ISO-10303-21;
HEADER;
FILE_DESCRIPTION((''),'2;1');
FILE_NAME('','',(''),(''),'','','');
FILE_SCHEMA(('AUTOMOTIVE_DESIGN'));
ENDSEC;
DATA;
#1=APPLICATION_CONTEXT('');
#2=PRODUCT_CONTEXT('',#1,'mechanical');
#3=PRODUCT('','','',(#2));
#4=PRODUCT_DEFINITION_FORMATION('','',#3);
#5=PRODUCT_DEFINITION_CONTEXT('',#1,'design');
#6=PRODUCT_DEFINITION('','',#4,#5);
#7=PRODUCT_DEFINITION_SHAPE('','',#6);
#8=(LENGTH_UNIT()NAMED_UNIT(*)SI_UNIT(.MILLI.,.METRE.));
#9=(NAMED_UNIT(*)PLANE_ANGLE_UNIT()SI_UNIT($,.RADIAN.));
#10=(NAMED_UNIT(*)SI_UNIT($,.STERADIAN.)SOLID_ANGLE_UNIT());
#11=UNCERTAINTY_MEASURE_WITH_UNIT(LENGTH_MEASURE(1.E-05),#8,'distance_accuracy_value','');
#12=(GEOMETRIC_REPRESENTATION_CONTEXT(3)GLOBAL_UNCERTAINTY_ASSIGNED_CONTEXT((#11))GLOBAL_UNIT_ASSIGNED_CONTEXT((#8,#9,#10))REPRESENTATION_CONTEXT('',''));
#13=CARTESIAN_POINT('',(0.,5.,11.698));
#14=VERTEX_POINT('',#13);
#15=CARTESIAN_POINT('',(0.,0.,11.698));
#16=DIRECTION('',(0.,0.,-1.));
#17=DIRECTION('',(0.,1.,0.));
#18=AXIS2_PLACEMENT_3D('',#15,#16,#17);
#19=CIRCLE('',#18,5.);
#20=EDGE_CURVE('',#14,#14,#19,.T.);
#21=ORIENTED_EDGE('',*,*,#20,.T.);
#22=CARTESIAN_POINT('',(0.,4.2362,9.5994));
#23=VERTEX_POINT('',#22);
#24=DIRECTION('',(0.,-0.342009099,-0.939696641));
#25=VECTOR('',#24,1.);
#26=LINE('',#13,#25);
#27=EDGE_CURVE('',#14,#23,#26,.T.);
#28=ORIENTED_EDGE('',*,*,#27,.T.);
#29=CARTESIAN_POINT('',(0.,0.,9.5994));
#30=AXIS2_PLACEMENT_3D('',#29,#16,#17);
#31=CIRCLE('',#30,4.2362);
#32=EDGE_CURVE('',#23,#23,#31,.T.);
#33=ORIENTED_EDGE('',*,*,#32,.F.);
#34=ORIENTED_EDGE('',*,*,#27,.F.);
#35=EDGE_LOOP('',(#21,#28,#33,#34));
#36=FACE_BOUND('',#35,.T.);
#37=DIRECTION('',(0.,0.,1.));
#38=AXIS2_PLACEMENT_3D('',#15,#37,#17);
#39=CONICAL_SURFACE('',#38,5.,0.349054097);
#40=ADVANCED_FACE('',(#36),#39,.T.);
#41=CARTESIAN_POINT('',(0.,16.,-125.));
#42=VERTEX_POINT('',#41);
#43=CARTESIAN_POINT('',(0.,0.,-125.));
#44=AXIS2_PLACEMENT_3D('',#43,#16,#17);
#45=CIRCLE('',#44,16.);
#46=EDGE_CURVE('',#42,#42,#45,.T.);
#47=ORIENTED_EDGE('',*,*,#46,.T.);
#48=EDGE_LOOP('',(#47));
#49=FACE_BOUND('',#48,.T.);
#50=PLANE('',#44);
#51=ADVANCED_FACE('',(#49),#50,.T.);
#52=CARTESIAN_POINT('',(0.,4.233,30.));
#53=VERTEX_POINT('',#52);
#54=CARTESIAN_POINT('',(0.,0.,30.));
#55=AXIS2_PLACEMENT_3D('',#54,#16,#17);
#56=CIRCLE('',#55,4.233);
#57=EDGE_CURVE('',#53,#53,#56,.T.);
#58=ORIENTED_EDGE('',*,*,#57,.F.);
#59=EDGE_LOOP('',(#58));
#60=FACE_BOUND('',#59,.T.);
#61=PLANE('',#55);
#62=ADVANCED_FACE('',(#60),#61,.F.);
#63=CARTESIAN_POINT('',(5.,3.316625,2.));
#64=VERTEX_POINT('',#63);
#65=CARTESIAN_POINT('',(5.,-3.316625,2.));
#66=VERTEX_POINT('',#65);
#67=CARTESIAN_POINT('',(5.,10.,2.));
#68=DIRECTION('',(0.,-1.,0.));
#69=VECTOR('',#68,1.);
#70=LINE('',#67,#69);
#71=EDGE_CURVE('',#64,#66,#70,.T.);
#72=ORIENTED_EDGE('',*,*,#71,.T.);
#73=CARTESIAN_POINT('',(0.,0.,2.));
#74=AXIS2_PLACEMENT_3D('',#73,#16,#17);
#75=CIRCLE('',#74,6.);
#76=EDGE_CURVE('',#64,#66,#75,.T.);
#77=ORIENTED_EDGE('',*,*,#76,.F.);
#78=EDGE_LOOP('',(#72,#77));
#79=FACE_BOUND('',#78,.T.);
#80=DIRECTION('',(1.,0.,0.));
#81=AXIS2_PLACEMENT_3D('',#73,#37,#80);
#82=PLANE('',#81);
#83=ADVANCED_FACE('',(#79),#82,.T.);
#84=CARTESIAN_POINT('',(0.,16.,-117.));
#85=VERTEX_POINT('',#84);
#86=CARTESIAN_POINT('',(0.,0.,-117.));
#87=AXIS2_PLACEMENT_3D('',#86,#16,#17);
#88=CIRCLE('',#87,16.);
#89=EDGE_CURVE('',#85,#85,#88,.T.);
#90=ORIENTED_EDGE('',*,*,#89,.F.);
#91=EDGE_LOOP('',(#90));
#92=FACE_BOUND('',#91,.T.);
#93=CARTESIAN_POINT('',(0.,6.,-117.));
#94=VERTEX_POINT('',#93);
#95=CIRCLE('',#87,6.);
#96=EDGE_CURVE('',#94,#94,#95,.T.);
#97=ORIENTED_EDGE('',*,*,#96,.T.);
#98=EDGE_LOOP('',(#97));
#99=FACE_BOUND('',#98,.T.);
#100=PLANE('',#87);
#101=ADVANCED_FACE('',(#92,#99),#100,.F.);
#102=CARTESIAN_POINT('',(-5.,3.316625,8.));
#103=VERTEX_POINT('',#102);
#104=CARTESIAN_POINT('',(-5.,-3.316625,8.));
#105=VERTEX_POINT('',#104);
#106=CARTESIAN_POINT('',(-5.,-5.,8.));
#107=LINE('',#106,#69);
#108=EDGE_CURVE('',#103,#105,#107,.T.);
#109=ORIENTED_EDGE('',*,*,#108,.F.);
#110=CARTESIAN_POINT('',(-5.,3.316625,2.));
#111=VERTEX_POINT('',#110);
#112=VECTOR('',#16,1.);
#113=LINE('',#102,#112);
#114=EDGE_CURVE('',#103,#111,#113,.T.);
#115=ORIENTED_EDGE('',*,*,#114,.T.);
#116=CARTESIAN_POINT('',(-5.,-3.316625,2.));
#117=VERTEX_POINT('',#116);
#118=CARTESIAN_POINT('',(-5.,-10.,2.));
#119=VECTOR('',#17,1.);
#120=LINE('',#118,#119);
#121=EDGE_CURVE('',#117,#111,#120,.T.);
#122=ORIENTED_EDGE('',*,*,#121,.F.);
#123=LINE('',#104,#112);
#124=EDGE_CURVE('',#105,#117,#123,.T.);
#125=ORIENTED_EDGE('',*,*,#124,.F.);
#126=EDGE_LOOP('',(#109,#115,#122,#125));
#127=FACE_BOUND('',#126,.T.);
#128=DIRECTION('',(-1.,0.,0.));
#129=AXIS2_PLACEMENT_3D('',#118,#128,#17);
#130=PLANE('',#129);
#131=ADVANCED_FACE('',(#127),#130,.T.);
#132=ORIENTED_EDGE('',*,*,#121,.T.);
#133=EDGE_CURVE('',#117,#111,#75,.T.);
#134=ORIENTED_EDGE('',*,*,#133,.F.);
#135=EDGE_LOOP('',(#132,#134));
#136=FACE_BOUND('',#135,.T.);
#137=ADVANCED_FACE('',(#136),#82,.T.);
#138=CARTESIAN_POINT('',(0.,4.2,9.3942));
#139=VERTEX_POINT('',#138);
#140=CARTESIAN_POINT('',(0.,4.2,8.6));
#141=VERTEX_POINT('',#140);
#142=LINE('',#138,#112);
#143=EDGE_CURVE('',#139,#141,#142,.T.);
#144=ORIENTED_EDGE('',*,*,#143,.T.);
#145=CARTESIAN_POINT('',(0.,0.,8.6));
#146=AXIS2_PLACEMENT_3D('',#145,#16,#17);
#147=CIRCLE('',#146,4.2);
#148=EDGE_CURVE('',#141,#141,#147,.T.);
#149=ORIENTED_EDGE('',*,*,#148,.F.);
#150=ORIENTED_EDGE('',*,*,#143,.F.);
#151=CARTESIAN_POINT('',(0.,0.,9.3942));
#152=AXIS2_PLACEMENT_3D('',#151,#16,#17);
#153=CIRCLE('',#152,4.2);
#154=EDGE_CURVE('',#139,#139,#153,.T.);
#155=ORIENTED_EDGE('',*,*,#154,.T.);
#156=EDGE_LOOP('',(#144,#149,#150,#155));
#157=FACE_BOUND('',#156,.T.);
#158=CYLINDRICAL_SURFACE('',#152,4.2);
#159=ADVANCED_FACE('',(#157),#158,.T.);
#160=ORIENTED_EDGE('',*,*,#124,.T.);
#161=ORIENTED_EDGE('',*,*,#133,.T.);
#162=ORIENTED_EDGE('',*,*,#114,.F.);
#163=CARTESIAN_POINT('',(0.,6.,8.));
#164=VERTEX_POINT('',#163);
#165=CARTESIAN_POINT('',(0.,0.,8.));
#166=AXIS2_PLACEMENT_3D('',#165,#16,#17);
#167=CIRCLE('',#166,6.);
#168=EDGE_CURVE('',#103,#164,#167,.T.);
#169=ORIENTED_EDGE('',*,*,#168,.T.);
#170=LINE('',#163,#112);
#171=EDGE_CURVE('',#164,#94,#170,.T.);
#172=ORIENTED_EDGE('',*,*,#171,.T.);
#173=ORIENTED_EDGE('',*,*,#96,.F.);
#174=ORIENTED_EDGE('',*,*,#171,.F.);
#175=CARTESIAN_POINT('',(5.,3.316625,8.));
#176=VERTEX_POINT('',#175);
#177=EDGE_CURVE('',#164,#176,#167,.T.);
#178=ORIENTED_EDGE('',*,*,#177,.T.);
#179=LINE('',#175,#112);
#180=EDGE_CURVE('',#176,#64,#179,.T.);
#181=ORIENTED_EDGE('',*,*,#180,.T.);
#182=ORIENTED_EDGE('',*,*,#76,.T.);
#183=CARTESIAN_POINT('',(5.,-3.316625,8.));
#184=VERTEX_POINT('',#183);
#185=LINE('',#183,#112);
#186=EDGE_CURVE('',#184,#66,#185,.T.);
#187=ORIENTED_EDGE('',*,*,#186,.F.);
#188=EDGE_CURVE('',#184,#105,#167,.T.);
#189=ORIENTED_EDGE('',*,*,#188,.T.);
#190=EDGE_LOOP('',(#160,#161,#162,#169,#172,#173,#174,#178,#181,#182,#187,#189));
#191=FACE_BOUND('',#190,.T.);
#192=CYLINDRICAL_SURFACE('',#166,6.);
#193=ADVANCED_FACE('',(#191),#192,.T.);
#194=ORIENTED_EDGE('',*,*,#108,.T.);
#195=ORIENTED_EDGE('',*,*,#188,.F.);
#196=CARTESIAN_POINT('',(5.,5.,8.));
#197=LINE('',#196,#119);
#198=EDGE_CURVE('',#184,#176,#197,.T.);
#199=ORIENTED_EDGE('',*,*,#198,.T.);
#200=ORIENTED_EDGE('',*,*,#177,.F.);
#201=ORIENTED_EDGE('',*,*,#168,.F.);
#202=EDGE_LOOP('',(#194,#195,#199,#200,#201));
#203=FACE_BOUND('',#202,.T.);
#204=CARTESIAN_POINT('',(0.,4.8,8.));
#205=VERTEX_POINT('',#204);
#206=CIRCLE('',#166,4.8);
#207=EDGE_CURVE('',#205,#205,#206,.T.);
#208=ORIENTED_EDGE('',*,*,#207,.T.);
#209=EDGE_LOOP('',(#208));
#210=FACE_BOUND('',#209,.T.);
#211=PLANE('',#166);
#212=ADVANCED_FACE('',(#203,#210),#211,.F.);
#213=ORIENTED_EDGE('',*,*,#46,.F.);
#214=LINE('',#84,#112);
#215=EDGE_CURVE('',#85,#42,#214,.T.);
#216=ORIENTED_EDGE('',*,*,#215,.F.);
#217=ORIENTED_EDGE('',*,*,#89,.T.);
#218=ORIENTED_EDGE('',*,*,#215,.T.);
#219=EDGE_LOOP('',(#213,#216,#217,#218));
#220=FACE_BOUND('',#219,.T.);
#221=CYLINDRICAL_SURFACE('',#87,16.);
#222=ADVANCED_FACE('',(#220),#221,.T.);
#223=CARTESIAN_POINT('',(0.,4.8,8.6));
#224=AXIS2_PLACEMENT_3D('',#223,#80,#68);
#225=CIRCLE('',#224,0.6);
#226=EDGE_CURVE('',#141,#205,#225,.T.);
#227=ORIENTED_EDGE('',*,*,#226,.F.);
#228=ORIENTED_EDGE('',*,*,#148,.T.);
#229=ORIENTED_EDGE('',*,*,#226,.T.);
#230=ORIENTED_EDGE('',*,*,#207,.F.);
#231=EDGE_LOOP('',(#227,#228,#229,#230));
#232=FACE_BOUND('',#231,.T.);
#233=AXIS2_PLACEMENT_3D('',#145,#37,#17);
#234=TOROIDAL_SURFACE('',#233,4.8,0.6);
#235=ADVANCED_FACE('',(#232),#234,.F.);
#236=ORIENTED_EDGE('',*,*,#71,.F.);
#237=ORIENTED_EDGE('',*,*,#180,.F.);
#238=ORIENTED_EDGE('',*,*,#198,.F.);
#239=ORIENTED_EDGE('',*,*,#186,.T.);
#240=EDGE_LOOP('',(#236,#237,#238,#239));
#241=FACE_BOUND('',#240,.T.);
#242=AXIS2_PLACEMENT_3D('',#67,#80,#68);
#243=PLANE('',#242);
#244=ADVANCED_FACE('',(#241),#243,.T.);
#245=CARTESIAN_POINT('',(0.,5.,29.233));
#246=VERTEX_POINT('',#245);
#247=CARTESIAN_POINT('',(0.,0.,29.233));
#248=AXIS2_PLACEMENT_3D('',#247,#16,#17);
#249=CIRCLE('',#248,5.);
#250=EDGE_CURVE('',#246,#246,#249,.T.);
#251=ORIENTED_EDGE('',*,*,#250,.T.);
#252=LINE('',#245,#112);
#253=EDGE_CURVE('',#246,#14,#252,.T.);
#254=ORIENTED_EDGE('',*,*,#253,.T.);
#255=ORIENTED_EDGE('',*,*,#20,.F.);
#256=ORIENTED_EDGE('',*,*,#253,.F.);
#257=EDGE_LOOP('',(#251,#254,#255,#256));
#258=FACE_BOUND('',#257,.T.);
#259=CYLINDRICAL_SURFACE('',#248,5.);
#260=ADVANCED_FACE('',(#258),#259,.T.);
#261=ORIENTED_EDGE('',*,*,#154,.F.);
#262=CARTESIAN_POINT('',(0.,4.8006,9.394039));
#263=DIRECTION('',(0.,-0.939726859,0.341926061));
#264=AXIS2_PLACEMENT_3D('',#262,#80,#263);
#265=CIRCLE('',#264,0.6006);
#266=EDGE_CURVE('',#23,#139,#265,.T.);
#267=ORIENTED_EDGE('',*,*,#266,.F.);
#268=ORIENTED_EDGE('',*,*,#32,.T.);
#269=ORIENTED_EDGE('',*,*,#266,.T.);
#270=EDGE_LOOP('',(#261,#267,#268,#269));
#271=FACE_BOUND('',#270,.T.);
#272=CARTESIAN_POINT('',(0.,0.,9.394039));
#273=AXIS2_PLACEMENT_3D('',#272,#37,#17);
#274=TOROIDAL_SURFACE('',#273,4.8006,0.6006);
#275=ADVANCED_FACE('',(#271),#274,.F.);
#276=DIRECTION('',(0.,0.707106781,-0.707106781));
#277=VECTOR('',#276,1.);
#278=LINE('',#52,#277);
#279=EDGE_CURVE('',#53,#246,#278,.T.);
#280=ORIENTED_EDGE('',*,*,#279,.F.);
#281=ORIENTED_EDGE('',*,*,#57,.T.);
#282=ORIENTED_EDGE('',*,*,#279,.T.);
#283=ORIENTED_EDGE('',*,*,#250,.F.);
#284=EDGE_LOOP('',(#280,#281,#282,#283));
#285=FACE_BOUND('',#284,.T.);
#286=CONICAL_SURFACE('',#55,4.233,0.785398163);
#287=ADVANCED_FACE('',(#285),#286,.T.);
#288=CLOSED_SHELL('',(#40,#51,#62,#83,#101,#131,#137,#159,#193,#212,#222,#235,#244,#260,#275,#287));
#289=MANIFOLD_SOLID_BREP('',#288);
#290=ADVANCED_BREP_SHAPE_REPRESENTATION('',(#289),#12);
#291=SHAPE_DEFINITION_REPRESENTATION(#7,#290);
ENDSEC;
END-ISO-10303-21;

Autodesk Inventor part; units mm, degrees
sketch "Sketch_2" plane through (0, 0, 0) normal (1, 0, 0) x (0, 1, 0)
  line L0 (0, -125) -> (0, 8)
  line L1 (0, 8) -> (6, 8)
  line L2 (6, 8) -> (6, -117)
  line L3 (6, -117) -> (16, -117)
  line L4 (16, -117) -> (16, -125)
  line L5 (16, -125) -> (0, -125)
  line L6 (0, -125) -> (0, 8)
revolve "Revolution1" add sketch "Sketch_2" angle 360 about axis through (0, 0, -125) along (0, 0, -1)
sketch "Sketch_6" plane through (0, 0, 0) normal (1, 0, 0) x (0, 1, 0)
  line L0 (0, 7) -> (0, 30)
  line L1 (0, 30) -> (4.233, 30)
  line L2 (4.233, 30) -> (5, 29.233)
  line L3 (5, 29.233) -> (5, 11.698)
  line L4 (5, 11.698) -> (4.2362, 9.5994)
  arc A0 (4.2362, 9.5994) -> (4.2, 9.3942) centre (4.8, 9.3942) ccw
  line L5 (4.2, 9.3942) -> (4.2, 8.6)
  arc A1 (4.2, 8.6) -> (4.8, 8) centre (4.8, 8.6) ccw
  line L6 (4.8, 8) -> (5, 8)
  line L7 (5, 8) -> (5, 7)
  line L8 (5, 7) -> (0, 7)
  line L9 (0, 7) -> (0, 30)
revolve "Revolution2" add sketch "Sketch_6" angle 360 about axis through (0, 0, 7) along (0, 0, -1)
thread "Thread1" size "M10x1.25" class "6g" standard "ISO Metric profile" full length
sketch "Sketch_7" plane through (0, 0, 2) normal (0, 0, 1) x (1, 0, 0)
  line L0 (-10, 20) -> (-10, -10)
  line L1 (-10, -10) -> (-5, -10)
  line L2 (-5, -10) -> (-5, 10)
  line L3 (-5, 10) -> (5, 10)
  line L4 (5, 10) -> (5, -10)
  line L5 (5, -10) -> (10, -10)
  line L6 (10, -10) -> (10, 20)
  line L7 (10, 20) -> (-10, 20)
extrude "Extrusion1" cut sketch "Sketch_7" along normal blind 7
ref_plane "FDT_KSAUFSATZ_XY" through (0, 0, 17) normal (0, 0, 1) x (-1, 0, 0)
ref_plane "FDT_KSAUFSATZ_YZ" through (0, 0, 17) normal (-1, 0, 0) x (0, -1, 0)
ref_plane "FDT_KSAUFSATZ_ZX" through (0, 0, 17) normal (0, -1, 0) x (0, 0, 1)
ref_plane "FDT_NUT_XY" through (0, 0, 17) normal (0, 0, 1) x (-1, 0, 0)
ref_plane "FDT_NUT_YZ" through (0, 0, 17) normal (-1, 0, 0) x (0, -1, 0)
ref_plane "FDT_NUT_ZX" through (0, 0, 17) normal (0, -1, 0) x (0, 0, 1)
ref_plane "KS_XY" through (0, 0, 0) normal (0, 0, -1) x (1, 0, 0)
ref_plane "KS_YZ" through (0, 0, 0) normal (1, 0, 0) x (0, -1, 0)
ref_plane "KS_ZX" through (0, 0, 0) normal (0, -1, 0) x (0, 0, -1)
ref_plane "NUT1_XY" through (0, 0, 22) normal (0, 0, 1) x (1, 0, 0)
ref_plane "NUT1_YZ" through (0, 0, 22) normal (1, 0, 0) x (0, 1, 0)
ref_plane "NUT1_ZX" through (0, 0, 22) normal (0, 1, 0) x (0, 0, 1)
properties part number "193992 DSNU-32-60-PPS---(A---00--0-KS)"
